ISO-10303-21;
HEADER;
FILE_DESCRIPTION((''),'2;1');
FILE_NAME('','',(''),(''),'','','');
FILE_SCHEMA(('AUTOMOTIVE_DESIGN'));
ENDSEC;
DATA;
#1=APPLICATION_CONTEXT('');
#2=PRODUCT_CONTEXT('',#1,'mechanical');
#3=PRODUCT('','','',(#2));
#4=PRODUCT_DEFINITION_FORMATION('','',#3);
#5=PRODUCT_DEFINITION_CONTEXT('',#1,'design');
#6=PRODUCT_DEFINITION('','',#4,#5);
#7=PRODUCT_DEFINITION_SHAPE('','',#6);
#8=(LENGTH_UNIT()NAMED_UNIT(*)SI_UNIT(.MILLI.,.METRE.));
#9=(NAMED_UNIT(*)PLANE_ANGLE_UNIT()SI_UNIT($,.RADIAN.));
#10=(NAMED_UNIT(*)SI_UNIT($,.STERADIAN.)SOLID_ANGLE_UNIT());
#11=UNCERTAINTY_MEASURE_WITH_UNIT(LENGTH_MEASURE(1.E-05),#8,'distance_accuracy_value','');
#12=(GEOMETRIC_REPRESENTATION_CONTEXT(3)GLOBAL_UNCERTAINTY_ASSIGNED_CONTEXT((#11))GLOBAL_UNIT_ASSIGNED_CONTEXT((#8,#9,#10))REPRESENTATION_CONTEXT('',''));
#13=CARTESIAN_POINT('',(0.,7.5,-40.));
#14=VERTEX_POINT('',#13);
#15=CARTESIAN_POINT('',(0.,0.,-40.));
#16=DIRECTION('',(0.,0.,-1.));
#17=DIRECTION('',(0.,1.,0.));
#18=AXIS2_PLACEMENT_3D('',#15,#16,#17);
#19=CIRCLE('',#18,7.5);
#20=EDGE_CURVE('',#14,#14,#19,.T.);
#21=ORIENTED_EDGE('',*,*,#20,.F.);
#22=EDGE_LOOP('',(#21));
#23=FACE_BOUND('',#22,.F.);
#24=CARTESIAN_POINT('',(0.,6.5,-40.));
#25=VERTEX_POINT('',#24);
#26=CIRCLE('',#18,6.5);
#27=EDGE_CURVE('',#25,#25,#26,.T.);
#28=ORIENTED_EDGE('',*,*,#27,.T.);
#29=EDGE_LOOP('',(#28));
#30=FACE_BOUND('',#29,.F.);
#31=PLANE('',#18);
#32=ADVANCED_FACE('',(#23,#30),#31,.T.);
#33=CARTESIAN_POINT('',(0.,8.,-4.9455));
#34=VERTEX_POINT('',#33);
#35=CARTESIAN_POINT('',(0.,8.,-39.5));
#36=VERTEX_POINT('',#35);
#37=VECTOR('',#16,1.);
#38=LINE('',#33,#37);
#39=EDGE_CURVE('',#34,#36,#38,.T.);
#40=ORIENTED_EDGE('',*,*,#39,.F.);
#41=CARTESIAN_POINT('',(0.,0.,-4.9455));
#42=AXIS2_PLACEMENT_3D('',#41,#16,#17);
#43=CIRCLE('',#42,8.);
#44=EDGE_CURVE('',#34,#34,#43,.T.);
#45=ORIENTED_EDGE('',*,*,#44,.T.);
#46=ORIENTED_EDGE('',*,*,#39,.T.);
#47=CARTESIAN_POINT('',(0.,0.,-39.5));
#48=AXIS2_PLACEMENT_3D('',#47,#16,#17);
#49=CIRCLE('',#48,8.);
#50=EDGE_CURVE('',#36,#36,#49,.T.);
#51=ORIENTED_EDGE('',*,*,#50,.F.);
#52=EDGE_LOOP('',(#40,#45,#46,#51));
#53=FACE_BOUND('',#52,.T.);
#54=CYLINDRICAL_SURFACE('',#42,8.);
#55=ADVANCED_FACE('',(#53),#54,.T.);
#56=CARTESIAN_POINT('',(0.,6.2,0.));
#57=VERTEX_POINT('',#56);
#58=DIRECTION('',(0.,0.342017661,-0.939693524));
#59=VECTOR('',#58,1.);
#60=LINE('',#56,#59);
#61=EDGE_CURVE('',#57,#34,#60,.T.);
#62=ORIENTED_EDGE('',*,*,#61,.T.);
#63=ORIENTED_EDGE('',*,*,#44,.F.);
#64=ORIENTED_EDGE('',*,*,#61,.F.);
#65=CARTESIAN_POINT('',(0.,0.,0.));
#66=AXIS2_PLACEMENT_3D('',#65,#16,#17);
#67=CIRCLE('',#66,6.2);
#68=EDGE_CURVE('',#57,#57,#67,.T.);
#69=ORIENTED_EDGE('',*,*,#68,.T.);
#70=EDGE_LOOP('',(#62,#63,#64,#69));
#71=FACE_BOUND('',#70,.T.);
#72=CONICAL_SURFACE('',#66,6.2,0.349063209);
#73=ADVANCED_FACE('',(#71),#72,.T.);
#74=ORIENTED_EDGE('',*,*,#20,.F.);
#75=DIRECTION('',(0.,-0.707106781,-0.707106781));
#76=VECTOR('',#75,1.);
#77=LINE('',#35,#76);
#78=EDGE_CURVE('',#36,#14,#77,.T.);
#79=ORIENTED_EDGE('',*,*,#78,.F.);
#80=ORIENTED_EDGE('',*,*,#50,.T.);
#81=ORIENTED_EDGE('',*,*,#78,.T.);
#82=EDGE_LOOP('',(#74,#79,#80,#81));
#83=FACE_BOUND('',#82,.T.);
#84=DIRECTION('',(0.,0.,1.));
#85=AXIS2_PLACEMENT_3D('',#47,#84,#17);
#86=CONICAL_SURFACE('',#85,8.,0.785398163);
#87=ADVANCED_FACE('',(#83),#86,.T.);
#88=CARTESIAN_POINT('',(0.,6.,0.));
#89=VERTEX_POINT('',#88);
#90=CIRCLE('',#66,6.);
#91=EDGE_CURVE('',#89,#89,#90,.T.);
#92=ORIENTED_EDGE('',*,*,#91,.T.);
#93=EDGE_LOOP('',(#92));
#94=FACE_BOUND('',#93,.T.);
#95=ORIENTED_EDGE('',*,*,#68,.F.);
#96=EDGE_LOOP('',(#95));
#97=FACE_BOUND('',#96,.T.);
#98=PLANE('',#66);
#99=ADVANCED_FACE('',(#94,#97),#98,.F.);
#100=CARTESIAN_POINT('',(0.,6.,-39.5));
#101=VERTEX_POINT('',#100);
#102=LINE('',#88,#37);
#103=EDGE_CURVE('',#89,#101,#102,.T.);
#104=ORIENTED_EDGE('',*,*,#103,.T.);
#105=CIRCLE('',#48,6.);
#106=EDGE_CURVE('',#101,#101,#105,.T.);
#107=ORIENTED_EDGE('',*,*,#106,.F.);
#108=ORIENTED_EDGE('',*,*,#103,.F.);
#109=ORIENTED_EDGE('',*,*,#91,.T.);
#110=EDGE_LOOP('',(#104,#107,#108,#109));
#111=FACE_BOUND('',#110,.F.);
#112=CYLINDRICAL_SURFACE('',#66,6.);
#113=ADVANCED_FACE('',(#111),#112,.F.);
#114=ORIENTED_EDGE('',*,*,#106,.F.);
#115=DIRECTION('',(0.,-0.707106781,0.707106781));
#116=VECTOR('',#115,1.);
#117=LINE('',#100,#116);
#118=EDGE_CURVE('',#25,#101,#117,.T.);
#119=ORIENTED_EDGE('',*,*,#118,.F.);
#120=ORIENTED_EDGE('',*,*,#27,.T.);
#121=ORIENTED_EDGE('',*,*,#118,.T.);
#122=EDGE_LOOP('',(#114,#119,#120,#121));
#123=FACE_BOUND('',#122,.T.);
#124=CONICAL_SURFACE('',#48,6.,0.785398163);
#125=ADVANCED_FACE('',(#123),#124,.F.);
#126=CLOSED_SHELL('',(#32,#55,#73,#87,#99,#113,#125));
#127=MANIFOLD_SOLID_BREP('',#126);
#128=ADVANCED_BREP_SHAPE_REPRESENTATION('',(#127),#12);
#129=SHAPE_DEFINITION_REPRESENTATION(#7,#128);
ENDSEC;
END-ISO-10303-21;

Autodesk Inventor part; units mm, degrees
ref_plane "YZ Plane" through (0, 0, 0) normal (1, 0, 0) x (0, 1, 0)
ref_plane "XZ Plane" through (0, 0, 0) normal (0, 1, 0) x (-1, 0, 0)
ref_plane "XY Plane" through (0, 0, 0) normal (0, 0, 1) x (1, 0, 0)
sketch "Esquisse1" plane through (0, 0, 0) normal (1, 0, 0) x (0, 1, 0)
  line L0 (0, 0) -> (0, -21.1525)
  line L1 (6, 0) -> (6, -40)
  line L2 (6.2, 0) -> (8, -4.9455)
  line L3 (8, -4.9455) -> (8, -40)
  line L4 (6, -40) -> (8, -40)
  line L5 (6, 0) -> (6.2, 0)
  dimension "d0" = 160
  dimension "d2" = 16
  dimension "d4" = 40
  dimension "d6" = 2
  dimension "d7" = 0.2
revolve "Révolution1" add sketch "Esquisse1" angle 360 about axis through (0, 0, 0) along (0, 0, -1)
chamfer "Chanfrein1" distance 0.5 angle 45 2 edges at (0, -6, -40) (0, -8, -40)
properties part number "douille"
